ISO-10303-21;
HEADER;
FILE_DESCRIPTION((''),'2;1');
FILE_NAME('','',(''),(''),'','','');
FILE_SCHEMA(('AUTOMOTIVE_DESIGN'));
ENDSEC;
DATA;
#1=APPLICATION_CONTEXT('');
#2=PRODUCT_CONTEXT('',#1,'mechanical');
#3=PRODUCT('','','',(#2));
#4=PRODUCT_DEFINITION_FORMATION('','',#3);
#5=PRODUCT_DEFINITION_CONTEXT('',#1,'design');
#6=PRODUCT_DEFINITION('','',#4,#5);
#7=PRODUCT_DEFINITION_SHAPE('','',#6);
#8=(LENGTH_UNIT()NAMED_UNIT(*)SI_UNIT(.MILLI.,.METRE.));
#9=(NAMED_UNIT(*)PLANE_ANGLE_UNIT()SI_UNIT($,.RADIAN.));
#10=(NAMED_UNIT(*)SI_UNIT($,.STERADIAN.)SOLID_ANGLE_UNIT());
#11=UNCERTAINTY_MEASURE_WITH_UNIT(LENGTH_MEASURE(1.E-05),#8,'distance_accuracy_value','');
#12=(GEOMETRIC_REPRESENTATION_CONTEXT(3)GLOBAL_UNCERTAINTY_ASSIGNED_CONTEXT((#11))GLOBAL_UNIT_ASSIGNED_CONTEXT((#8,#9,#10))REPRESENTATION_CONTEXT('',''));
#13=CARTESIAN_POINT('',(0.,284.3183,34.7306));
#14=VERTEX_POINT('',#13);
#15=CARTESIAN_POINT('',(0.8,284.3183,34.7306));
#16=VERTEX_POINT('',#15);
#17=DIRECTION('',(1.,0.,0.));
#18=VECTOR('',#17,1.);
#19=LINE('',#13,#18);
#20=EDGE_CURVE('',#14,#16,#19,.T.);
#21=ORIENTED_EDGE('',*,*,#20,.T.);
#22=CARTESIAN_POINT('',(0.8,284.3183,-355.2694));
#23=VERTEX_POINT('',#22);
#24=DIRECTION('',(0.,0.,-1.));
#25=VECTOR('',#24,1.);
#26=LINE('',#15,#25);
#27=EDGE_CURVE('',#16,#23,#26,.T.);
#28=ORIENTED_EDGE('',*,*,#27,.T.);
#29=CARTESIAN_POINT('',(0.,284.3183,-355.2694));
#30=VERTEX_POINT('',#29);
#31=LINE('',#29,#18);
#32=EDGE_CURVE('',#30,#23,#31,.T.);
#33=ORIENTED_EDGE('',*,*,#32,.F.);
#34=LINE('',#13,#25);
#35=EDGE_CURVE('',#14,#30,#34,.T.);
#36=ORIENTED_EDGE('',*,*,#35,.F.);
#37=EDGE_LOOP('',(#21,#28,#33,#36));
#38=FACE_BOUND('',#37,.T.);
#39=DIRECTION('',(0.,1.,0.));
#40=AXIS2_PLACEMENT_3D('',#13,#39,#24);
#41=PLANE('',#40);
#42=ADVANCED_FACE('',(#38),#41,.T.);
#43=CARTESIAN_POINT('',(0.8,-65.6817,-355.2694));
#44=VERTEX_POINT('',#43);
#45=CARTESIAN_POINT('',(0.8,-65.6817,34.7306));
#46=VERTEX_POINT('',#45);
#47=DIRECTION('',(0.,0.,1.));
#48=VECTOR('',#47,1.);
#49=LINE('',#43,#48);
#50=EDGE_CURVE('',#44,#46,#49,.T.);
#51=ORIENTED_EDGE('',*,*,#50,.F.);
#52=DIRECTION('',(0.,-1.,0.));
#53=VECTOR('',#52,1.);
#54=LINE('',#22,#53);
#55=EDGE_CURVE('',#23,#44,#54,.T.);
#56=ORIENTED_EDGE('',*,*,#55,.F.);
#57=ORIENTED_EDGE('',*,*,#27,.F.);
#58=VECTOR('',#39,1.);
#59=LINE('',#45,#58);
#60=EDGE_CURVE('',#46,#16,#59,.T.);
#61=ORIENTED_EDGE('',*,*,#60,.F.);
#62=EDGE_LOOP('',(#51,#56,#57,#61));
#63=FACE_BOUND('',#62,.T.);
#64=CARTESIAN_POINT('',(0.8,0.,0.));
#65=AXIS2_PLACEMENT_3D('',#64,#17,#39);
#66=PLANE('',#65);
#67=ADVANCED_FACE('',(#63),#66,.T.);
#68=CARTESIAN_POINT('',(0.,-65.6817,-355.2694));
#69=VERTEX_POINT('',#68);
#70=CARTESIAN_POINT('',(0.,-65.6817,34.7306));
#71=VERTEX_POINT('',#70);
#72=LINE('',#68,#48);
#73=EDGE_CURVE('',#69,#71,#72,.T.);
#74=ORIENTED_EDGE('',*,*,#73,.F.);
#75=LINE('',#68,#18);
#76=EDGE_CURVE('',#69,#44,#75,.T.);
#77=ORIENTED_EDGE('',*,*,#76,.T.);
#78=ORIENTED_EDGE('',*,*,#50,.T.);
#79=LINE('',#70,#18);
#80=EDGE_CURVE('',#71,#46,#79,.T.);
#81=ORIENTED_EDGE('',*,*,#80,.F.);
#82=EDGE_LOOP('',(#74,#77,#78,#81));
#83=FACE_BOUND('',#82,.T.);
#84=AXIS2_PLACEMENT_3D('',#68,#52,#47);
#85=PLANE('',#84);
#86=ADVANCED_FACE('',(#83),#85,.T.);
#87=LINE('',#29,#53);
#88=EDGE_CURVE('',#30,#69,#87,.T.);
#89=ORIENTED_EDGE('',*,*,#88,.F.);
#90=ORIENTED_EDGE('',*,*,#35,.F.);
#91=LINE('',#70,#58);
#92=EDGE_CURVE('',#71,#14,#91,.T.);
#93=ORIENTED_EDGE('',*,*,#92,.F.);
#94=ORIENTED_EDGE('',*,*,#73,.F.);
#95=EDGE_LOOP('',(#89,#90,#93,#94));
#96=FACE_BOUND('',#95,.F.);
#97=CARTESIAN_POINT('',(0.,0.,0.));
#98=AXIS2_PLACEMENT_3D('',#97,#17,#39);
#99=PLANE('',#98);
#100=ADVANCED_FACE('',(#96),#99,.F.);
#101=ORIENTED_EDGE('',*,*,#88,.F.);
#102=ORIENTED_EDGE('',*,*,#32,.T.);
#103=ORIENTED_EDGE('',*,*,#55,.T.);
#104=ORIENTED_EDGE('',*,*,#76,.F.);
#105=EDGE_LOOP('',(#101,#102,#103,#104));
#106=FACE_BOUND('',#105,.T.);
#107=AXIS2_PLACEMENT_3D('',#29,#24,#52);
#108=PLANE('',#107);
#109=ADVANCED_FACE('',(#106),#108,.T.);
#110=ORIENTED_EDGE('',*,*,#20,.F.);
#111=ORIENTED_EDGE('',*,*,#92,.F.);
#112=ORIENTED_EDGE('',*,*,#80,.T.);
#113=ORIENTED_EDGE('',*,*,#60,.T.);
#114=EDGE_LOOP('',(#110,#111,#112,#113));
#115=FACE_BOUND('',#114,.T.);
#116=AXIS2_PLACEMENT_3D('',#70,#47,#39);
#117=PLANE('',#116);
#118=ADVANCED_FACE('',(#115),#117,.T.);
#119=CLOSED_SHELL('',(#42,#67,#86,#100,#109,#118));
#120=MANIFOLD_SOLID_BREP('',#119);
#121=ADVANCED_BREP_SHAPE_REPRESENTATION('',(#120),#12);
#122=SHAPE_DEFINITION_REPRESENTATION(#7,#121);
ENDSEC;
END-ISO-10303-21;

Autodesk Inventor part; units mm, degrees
ref_plane "YZ Plane" through (0, 0, 0) normal (1, 0, 0) x (0, 1, 0)
ref_plane "XZ Plane" through (0, 0, 0) normal (0, 1, 0) x (-1, 0, 0)
ref_plane "XY Plane" through (0, 0, 0) normal (0, 0, 1) x (1, 0, 0)
sketch "Sketch1" plane through (0, 0, 0) normal (1, 0, 0) x (0, 1, 0)
  line L0 (-65.6817, 34.7306) -> (284.3183, 34.7306)
  line L1 (284.3183, 34.7306) -> (284.3183, -355.2694)
  line L2 (284.3183, -355.2694) -> (-65.6817, -355.2694)
  line L3 (-65.6817, -355.2694) -> (-65.6817, 34.7306)
  point P0 (0, 0)
  dimension "d0" = 350
  dimension "d1" = 390
extrude "Extrusion1" add sketch "Sketch1" along normal blind 0.8
properties part number "side350x390"
